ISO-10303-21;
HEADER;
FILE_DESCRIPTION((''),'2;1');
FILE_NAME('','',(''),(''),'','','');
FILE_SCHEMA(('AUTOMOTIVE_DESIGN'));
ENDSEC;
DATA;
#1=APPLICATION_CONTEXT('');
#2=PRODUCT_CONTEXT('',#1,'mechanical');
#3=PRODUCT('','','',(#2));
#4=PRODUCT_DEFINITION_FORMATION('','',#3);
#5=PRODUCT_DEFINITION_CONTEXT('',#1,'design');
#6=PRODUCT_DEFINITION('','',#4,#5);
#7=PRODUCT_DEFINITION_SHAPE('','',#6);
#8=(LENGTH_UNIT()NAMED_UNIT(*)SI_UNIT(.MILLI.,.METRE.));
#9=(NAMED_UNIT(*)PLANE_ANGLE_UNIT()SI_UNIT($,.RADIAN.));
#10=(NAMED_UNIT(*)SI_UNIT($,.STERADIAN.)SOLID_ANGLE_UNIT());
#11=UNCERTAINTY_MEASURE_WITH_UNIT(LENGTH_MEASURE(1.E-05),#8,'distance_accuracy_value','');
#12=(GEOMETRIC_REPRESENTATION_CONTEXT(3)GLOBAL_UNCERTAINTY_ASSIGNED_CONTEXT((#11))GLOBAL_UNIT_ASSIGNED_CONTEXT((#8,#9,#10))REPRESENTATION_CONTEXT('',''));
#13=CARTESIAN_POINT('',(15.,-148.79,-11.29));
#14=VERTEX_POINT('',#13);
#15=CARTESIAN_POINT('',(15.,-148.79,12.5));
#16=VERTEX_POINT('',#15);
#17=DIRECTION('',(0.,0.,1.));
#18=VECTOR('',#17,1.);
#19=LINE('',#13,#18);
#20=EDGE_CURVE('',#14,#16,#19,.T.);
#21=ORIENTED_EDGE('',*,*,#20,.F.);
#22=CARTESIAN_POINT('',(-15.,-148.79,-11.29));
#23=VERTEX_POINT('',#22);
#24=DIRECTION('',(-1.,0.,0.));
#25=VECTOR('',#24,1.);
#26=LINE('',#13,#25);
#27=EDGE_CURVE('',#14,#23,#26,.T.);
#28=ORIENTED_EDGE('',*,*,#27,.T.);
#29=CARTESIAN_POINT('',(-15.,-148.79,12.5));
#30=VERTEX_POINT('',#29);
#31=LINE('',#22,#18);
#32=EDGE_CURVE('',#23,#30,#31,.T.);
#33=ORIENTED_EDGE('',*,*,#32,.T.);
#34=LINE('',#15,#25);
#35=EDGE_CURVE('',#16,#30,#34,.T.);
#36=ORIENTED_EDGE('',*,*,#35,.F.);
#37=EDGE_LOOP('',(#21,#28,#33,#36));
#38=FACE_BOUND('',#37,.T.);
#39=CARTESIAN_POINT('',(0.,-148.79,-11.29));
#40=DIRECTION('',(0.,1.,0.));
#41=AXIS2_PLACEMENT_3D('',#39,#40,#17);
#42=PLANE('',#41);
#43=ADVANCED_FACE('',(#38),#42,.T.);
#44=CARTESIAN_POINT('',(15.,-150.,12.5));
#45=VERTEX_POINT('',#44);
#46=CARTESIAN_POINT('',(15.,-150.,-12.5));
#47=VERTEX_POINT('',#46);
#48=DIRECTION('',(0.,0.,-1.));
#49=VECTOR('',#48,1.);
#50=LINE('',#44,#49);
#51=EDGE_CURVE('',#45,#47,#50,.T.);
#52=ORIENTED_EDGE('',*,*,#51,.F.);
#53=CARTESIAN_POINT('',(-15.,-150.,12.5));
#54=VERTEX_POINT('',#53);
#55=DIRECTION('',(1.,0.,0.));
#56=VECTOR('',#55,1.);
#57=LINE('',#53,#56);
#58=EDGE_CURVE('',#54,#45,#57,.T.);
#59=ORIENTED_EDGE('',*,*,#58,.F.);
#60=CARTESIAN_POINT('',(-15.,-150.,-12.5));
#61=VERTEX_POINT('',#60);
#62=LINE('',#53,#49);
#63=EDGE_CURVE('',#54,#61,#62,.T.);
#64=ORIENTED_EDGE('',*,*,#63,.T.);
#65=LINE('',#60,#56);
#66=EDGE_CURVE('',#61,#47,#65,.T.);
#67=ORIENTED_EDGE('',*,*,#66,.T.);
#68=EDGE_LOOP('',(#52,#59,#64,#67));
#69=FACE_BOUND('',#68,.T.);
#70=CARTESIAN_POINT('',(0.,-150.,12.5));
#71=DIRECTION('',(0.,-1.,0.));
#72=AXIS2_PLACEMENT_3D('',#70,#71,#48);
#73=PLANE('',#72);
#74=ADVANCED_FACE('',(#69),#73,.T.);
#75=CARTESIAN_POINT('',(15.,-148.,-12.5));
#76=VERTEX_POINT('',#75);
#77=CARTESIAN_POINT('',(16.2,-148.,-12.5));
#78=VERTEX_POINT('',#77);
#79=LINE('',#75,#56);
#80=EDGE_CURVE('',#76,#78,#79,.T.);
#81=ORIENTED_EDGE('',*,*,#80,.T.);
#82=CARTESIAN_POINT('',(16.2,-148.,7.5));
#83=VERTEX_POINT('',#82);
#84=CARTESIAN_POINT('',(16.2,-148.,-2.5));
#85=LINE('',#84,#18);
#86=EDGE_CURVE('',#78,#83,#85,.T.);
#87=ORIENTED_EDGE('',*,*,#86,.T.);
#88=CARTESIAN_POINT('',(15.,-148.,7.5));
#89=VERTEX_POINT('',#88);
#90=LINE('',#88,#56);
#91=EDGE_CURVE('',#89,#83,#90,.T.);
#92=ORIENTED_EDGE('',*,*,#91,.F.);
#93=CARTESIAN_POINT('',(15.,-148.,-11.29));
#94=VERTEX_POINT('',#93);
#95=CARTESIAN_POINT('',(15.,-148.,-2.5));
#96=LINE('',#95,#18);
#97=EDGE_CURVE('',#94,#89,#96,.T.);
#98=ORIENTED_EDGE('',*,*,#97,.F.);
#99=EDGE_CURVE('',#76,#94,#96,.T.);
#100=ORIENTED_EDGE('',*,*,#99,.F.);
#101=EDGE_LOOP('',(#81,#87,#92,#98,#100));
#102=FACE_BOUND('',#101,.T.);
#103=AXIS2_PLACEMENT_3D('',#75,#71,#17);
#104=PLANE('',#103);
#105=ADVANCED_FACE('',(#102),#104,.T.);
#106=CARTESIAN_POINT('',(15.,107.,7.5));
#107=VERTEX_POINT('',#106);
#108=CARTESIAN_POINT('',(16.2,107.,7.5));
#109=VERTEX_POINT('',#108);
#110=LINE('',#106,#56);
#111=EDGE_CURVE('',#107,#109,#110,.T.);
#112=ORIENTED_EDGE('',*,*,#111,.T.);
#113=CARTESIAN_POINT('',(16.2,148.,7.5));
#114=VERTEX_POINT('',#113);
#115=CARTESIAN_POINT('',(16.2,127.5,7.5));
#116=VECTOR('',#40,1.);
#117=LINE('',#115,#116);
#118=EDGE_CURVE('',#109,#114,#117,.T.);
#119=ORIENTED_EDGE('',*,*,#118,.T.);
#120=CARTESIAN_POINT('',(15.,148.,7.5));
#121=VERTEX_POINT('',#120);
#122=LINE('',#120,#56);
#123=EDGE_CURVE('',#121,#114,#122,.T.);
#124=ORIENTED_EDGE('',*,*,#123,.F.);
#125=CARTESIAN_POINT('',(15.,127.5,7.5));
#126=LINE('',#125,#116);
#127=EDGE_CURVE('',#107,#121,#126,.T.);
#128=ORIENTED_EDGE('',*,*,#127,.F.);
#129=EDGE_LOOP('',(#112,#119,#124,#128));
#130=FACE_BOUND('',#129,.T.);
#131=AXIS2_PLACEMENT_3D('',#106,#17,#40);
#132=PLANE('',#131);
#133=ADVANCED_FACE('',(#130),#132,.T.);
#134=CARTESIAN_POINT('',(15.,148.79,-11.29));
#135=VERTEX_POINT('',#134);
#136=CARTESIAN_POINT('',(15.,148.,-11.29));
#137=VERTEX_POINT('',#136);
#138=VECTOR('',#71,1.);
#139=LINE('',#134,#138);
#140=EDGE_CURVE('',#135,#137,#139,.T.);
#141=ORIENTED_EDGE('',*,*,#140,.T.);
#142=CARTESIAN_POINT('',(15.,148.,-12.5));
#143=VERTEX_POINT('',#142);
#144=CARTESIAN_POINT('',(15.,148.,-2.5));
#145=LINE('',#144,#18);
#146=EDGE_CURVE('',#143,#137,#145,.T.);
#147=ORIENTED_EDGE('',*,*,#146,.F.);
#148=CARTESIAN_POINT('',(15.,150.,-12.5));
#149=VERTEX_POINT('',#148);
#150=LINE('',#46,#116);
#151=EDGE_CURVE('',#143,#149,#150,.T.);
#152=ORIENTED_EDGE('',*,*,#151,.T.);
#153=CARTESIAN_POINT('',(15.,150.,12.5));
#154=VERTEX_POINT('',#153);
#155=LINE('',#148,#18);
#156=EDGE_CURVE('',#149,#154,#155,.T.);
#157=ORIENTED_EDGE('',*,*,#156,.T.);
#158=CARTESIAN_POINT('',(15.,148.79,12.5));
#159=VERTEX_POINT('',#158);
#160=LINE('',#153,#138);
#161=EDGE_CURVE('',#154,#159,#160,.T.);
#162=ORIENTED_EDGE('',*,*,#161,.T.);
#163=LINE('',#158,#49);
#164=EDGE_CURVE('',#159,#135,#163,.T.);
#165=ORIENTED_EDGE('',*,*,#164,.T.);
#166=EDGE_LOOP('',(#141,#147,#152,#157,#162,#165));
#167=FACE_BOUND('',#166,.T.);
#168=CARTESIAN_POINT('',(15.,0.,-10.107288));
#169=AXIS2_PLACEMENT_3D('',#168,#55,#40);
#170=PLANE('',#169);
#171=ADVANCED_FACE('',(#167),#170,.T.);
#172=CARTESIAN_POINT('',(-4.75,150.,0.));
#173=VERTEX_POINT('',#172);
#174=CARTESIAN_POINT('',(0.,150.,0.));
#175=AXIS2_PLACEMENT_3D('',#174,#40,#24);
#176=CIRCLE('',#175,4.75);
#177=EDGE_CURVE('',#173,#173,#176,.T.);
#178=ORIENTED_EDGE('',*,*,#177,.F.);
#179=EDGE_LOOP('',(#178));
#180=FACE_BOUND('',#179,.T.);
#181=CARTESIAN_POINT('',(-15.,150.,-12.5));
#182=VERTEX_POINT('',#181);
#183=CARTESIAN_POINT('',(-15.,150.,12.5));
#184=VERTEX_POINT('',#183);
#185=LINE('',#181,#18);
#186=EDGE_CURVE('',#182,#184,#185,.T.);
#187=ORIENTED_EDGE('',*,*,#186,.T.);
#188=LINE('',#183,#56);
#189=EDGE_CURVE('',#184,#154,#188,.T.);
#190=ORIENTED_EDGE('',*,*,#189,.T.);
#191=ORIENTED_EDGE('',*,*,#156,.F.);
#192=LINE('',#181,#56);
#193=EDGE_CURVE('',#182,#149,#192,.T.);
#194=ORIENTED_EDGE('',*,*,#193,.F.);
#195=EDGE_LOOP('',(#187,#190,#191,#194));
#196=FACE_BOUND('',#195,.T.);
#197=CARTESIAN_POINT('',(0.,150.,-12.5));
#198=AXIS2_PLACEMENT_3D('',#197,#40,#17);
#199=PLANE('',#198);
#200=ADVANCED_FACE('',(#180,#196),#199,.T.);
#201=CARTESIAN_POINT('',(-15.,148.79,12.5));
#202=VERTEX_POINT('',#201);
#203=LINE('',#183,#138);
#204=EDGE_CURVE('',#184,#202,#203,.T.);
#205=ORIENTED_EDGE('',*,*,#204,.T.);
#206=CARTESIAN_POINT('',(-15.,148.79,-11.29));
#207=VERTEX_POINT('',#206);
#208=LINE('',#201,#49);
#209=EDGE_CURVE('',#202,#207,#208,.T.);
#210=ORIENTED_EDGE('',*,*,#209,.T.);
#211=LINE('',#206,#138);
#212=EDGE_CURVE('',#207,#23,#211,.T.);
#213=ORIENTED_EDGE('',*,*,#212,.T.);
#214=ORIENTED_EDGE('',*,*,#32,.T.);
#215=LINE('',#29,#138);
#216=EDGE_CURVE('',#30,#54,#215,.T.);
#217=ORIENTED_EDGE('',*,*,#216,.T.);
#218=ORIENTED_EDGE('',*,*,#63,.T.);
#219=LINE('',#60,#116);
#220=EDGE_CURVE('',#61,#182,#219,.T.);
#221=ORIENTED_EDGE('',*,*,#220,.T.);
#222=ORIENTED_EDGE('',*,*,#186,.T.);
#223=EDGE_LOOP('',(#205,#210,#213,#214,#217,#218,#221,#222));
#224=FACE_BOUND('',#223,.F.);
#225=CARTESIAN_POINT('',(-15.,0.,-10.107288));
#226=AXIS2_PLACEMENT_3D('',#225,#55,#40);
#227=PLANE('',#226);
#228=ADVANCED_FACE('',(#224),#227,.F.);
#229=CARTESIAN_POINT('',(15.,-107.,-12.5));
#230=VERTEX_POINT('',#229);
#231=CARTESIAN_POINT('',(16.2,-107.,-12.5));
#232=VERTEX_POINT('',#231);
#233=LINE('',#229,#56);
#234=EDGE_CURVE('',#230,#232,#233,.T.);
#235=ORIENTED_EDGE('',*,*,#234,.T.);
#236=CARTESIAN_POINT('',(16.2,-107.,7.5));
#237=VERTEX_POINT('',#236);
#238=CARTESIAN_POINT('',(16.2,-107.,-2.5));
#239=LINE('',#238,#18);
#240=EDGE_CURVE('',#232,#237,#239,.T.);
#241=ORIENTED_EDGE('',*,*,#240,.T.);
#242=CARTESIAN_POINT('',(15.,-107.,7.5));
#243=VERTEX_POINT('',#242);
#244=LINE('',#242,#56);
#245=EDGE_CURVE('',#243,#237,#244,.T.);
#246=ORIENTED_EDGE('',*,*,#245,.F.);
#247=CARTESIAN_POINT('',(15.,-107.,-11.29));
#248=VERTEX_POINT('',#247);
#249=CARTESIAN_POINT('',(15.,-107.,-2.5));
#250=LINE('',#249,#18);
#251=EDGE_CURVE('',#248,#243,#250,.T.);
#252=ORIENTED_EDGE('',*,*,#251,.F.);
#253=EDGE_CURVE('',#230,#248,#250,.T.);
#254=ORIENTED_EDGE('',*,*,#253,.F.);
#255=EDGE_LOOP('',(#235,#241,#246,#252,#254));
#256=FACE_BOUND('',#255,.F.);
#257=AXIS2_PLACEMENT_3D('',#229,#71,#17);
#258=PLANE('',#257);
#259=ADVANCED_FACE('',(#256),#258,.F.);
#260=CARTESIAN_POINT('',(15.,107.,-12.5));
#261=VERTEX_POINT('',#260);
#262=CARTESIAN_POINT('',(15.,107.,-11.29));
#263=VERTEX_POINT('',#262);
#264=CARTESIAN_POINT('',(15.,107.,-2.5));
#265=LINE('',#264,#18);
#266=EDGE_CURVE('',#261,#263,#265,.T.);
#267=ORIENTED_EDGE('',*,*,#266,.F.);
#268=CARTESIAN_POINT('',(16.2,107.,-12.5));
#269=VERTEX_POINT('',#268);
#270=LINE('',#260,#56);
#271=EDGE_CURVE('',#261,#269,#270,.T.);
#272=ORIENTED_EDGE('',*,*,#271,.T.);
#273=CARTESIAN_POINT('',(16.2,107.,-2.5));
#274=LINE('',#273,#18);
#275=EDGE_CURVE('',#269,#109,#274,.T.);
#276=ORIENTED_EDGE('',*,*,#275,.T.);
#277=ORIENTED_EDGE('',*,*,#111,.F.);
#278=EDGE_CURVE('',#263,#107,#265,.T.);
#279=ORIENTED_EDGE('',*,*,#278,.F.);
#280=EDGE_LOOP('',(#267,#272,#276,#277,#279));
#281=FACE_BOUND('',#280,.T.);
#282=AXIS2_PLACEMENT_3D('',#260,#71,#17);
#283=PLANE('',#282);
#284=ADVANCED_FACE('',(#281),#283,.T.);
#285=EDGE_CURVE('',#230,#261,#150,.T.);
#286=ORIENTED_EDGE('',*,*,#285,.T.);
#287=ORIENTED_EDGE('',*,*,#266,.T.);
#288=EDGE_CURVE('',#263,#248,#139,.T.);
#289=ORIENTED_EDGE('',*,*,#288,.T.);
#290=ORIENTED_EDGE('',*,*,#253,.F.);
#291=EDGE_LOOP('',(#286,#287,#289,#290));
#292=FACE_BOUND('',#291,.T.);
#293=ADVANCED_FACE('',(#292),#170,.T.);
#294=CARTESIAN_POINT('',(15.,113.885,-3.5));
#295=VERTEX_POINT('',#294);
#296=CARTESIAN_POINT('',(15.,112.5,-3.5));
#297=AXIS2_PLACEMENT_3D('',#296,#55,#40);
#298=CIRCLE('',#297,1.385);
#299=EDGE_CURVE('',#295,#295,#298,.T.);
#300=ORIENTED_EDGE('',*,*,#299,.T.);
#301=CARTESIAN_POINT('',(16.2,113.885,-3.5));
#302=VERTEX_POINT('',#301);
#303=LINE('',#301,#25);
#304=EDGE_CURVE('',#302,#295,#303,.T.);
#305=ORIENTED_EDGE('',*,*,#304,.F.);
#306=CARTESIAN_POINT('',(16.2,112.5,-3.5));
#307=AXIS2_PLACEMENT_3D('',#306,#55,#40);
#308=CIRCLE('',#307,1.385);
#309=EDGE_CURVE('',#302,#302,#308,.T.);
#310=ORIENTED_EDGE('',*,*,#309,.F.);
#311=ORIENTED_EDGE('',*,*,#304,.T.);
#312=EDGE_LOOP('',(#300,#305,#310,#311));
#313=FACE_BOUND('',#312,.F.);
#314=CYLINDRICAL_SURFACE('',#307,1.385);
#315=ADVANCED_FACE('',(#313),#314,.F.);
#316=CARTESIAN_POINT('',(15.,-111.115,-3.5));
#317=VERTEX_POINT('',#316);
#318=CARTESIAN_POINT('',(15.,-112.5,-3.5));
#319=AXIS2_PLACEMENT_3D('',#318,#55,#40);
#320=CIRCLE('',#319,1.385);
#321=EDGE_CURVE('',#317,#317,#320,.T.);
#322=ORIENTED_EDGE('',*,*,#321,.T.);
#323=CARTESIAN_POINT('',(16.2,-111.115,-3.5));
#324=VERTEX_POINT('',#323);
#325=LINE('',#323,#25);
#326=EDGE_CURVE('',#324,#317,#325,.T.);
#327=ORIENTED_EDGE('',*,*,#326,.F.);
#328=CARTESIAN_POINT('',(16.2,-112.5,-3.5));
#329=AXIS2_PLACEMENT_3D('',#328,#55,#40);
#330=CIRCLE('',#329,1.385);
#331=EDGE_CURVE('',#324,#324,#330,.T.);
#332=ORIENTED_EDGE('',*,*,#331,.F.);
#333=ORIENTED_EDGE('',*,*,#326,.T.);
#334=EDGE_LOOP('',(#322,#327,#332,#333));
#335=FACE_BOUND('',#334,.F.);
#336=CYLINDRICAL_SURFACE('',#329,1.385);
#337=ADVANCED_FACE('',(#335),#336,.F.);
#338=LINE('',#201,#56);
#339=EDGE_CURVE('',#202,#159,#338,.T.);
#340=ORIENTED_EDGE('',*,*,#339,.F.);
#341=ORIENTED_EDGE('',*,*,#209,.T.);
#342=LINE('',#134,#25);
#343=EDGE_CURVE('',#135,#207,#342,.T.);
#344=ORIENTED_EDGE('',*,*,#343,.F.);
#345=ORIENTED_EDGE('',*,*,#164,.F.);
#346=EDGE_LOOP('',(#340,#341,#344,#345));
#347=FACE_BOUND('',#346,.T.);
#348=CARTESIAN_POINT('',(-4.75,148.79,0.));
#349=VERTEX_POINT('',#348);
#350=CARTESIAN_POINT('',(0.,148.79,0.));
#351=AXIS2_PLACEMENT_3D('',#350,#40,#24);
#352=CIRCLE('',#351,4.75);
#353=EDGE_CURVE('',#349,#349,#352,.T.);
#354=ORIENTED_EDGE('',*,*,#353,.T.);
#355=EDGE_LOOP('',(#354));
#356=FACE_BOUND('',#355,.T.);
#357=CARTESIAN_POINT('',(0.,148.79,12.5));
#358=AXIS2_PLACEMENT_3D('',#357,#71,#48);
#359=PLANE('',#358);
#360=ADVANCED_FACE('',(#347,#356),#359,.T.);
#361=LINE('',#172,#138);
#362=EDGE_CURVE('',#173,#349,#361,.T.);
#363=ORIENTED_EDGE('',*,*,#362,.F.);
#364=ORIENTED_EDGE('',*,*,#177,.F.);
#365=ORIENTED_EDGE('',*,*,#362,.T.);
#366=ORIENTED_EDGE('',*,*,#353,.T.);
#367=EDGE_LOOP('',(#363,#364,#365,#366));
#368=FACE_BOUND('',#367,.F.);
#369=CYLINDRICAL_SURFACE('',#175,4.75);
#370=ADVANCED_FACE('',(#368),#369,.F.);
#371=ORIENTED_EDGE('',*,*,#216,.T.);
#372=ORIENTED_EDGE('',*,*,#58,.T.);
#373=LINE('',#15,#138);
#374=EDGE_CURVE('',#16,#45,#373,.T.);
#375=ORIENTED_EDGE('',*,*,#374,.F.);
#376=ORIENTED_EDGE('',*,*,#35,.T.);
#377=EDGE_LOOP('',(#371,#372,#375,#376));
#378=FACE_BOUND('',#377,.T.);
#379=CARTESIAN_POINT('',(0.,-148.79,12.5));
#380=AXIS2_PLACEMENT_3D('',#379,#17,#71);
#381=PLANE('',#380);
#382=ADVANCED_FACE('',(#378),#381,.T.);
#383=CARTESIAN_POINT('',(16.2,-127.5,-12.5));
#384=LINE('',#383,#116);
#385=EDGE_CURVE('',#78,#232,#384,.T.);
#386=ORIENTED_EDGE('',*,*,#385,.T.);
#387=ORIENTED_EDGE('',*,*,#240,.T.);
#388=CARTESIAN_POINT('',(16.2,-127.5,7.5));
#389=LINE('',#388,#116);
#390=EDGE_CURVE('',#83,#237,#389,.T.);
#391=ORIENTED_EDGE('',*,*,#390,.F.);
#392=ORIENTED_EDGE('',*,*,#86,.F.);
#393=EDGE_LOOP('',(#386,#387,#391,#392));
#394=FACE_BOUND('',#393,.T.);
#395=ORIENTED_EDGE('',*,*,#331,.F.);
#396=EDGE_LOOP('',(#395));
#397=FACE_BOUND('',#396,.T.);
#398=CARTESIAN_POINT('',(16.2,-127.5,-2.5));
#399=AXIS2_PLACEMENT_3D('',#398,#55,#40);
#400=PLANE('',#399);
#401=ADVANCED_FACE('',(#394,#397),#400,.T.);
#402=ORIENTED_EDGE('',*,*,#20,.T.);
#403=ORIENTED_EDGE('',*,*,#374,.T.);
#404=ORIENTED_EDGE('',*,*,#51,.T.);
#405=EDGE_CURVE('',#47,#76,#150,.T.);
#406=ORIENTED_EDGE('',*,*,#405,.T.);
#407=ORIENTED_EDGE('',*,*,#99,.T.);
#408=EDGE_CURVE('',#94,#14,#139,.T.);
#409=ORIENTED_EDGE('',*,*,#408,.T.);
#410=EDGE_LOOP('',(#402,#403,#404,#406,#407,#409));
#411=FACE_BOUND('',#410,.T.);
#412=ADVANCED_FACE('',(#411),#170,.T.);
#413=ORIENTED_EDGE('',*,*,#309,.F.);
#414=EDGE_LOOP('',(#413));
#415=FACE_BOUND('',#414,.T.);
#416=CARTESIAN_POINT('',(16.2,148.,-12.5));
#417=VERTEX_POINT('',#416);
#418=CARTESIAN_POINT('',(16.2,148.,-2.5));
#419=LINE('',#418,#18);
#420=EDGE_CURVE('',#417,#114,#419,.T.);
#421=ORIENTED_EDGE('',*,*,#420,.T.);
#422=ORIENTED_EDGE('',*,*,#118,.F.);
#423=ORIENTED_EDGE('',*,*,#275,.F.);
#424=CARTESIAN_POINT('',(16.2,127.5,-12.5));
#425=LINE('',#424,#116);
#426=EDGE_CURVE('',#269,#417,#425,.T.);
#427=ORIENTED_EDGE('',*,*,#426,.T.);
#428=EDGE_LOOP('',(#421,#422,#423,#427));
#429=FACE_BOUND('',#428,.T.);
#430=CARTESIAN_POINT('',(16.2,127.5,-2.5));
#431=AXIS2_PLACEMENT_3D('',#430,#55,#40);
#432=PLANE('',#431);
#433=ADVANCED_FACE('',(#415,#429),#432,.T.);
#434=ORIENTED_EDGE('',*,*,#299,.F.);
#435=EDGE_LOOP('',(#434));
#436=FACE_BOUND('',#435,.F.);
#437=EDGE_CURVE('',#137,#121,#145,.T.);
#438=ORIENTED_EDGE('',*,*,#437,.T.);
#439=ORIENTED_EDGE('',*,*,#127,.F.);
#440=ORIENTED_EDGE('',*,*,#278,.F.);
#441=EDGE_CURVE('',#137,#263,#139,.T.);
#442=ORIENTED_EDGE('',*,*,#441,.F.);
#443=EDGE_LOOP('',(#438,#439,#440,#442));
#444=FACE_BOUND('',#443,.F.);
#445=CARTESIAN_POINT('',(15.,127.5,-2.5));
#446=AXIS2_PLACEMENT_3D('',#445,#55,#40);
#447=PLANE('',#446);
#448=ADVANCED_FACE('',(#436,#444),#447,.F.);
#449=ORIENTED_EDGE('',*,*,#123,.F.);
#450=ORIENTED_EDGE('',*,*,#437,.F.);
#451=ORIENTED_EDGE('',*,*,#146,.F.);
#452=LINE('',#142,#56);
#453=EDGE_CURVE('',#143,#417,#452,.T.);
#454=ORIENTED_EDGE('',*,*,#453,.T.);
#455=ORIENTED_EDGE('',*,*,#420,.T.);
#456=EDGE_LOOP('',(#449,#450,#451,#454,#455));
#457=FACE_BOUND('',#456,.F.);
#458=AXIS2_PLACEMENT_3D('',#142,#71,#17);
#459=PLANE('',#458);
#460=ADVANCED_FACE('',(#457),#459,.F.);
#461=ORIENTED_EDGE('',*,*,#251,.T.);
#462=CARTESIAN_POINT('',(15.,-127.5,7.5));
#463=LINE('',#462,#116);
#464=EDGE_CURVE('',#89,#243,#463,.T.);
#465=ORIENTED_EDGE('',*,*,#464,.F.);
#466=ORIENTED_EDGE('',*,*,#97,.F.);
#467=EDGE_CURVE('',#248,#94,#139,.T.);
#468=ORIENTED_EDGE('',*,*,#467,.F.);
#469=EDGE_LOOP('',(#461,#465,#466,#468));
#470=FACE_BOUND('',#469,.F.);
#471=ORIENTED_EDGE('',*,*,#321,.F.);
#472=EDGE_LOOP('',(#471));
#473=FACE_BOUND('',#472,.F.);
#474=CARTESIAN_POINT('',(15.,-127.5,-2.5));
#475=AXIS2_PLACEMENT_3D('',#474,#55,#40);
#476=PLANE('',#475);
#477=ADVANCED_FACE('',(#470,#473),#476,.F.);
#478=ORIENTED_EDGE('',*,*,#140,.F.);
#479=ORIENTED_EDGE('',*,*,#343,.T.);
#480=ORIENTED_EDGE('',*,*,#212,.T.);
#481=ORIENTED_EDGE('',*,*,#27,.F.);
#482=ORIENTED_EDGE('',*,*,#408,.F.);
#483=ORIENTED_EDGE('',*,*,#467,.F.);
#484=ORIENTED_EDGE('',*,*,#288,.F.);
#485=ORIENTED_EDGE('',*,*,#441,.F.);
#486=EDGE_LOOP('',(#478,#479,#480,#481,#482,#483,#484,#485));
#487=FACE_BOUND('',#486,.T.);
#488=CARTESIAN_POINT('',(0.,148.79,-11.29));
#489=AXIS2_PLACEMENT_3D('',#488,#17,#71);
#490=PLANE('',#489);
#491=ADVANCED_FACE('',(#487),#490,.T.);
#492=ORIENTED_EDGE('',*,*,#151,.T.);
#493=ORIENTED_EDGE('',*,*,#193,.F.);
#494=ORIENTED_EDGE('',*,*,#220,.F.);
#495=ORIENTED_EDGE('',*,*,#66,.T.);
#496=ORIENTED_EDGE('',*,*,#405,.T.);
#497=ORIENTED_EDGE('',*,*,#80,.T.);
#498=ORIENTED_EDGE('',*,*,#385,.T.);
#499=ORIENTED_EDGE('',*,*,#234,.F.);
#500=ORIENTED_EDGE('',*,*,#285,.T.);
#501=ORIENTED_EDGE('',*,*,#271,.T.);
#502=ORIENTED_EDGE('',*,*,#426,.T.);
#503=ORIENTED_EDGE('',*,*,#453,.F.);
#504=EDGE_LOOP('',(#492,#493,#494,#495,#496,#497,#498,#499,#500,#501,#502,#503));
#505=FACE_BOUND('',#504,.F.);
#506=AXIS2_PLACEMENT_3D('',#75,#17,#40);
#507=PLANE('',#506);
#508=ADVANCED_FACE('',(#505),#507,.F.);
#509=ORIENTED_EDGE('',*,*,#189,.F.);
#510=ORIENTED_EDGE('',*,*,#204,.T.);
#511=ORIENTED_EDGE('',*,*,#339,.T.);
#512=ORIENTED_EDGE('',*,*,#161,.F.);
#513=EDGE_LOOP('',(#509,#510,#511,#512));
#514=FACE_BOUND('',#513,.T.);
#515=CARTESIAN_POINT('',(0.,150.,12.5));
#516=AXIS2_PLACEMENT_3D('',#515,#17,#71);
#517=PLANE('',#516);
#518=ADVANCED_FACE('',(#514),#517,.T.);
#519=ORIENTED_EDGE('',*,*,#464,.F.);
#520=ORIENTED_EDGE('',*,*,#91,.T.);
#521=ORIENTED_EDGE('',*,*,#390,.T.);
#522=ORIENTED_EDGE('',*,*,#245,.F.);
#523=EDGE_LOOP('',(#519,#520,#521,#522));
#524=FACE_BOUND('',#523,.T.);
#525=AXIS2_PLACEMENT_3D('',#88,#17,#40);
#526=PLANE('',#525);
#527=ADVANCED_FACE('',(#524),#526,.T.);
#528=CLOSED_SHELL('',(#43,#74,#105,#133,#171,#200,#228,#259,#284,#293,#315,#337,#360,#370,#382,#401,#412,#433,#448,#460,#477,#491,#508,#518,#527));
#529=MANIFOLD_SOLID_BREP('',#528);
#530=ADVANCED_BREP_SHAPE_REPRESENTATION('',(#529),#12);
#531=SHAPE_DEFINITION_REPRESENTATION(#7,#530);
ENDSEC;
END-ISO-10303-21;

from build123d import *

# Parameters (mm, degrees)
F1_DEPTH = 15
F3_W     = 41
F3_H     = 20
F4_DEPTH = 1.2
F2_R     = 4.75
F5_DEPTH = 1.21
F6_R     = 1.385
F7_DEPTH = 1.2


with BuildPart() as f1:
    # F0 (on Right) → F1 (new body, symmetric)
    with BuildSketch(Plane.YZ):
        Polygon((-148.79, 12.5), (-150, 12.5), (-150, -12.5), (150, -12.5), (150, 12.5), (148.79, 12.5), (148.79, -11.29), (0, -11.29), (-148.79, -11.29), align=None)
    extrude(amount=F1_DEPTH, both=True)

    # F3 (on face) → F4 (join)
    with BuildSketch(Plane.YZ.offset(15)):
        with Locations((-127.5, -2.5)):
            Rectangle(F3_W, F3_H)
        with Locations((127.5, -2.5)):
            Rectangle(F3_W, F3_H)
    extrude(amount=F4_DEPTH)

    # F2 (on face) → F5 (cut, through all)
    with BuildSketch(Plane(origin=(0, 150, 0), x_dir=(-1, 0, 0), z_dir=(0, 1, 0))):
        Circle(F2_R)
    extrude(amount=-F5_DEPTH, mode=Mode.SUBTRACT)

    # F6 (on face) → F7 (cut, through all)
    with BuildSketch(Plane.YZ.offset(16.2)):
        with Locations((-112.5, -3.5)):
            Circle(F6_R)
        with Locations((112.5, -3.5)):
            Circle(F6_R)
    extrude(amount=-F7_DEPTH, mode=Mode.SUBTRACT)


solid = f1.part
